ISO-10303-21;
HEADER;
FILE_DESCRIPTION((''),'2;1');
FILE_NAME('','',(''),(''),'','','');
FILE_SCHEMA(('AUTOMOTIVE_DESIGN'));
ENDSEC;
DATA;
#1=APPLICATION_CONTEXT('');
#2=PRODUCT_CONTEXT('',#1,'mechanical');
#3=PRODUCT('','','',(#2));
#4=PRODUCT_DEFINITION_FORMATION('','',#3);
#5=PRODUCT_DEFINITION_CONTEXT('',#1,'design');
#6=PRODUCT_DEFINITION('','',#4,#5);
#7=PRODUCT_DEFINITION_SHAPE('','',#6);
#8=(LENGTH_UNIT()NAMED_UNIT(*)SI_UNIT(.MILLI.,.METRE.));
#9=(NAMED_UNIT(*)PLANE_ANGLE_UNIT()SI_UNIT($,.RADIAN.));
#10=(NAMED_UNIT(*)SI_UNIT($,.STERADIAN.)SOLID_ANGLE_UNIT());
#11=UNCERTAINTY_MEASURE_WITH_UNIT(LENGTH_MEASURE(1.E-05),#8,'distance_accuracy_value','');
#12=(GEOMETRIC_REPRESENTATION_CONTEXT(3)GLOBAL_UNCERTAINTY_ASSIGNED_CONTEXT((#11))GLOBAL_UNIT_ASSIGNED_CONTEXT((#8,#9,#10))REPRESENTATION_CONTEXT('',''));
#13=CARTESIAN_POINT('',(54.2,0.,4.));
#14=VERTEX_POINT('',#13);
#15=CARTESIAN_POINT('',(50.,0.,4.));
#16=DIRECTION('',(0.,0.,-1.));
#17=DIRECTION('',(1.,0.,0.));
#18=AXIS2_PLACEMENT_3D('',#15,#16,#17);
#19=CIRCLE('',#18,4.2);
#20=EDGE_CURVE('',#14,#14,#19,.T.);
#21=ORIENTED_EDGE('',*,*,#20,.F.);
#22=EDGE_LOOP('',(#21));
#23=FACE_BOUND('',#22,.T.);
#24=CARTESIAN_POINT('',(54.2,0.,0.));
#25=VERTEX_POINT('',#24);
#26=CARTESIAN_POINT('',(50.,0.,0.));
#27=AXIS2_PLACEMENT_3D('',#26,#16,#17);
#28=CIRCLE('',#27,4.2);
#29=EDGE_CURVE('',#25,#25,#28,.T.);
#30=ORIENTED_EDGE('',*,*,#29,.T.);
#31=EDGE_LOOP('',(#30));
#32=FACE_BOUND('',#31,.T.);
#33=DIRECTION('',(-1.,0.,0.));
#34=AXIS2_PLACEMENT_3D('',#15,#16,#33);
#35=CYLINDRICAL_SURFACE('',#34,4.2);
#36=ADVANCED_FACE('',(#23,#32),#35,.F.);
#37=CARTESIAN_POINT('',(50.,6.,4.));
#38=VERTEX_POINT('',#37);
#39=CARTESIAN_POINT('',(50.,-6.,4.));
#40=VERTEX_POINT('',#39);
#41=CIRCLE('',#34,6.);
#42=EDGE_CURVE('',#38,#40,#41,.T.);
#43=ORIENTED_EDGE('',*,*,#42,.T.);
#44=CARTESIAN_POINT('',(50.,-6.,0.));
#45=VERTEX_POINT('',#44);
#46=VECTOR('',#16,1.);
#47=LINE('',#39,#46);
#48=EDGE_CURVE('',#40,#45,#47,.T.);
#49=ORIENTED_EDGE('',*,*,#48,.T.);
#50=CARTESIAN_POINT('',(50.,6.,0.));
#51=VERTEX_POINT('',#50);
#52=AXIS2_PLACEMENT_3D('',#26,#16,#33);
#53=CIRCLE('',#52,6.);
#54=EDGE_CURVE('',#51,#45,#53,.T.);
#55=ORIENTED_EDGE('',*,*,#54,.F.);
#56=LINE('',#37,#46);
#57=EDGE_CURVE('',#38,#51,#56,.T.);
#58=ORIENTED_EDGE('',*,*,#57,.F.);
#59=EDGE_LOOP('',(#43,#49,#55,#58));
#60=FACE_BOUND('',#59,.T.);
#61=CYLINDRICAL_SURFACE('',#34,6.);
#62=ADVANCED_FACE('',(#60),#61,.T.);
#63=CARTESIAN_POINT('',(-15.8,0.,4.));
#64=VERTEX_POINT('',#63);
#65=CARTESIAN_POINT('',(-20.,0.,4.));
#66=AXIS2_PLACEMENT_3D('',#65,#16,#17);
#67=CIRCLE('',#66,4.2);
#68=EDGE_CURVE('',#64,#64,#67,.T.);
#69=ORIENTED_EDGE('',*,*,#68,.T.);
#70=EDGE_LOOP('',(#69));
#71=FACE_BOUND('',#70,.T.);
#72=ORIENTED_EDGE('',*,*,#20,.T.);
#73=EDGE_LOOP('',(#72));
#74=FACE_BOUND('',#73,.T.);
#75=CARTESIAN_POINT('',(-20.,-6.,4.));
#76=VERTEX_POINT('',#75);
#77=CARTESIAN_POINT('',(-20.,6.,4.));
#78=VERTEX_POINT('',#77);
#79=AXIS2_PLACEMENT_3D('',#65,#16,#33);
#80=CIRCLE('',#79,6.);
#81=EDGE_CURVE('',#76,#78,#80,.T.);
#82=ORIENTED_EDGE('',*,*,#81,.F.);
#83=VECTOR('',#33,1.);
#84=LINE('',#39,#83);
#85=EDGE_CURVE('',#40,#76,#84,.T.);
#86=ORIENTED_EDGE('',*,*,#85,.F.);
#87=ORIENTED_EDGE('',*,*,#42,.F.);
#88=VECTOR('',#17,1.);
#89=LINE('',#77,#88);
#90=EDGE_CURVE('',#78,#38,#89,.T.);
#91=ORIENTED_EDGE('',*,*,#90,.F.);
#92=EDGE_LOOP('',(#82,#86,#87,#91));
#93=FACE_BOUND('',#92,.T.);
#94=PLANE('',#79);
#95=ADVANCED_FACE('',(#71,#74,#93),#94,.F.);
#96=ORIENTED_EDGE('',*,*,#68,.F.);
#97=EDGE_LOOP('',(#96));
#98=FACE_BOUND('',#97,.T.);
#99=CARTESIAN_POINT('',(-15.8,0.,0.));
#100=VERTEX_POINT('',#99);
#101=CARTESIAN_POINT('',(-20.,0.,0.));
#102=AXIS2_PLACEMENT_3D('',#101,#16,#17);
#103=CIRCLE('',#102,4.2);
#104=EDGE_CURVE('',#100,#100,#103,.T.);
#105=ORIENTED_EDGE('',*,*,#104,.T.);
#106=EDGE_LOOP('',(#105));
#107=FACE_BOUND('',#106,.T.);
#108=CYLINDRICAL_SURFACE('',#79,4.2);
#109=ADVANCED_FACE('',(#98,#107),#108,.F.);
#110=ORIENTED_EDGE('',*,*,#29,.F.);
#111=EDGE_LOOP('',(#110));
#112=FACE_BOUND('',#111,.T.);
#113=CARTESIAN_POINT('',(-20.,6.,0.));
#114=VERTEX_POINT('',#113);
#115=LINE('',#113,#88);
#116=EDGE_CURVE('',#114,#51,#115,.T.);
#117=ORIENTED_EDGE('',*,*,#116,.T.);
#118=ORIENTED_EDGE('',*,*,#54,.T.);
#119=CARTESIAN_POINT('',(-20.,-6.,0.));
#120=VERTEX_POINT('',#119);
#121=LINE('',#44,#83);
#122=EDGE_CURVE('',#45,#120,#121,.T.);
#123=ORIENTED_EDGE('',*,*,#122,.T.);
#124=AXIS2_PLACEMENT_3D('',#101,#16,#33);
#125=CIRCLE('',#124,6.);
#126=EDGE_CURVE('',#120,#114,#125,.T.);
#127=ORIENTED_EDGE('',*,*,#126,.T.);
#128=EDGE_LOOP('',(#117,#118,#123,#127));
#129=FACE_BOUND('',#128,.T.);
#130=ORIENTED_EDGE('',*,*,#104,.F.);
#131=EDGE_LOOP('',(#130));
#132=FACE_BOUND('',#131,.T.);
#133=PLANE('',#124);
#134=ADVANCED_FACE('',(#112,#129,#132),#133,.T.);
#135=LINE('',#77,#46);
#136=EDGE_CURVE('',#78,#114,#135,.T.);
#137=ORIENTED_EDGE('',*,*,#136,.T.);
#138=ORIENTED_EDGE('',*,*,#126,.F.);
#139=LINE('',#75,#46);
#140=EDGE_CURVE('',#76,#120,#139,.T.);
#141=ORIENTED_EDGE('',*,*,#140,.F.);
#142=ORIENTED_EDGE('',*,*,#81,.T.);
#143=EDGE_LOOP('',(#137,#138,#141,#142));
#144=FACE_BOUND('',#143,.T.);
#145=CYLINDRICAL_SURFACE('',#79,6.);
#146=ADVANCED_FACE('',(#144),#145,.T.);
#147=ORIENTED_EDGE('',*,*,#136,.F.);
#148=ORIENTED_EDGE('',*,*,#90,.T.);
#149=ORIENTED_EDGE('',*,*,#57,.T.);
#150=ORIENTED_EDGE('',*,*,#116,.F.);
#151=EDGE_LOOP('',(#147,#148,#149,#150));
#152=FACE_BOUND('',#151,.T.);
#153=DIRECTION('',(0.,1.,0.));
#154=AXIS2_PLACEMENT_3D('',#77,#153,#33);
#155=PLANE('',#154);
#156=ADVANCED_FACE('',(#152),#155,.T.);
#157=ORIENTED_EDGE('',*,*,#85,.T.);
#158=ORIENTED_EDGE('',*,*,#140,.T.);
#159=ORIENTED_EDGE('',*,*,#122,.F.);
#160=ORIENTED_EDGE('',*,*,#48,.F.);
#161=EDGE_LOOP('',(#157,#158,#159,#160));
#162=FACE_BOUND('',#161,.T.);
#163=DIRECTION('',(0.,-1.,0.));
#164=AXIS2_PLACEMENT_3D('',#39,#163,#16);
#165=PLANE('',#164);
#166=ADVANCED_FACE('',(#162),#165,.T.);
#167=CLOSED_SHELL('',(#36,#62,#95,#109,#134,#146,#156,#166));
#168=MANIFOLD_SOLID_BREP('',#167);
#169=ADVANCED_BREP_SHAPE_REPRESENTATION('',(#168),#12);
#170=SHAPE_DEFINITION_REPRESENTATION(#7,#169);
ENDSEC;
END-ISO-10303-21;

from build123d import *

# Parameters (mm, degrees)
SKETCH_1_R      = 4.2
EXTRUDE_1_DEPTH = 4


with BuildPart() as part:
    # 草图1 → 凸台-拉伸1 (new body)
    with BuildSketch(Plane(origin=(0, 0, 0), x_dir=(-1, 0, 0), z_dir=(0, 0, -1))):
        with BuildLine():
            Line((20, 6), (-50, 6))
            ThreePointArc((-50, 6), (-56, 0), (-50, -6))
            Line((-50, -6), (20, -6))
            ThreePointArc((20, -6), (26, 0), (20, 6))
        make_face()
        with Locations(Location((20, 0, 0), (0, 0, 180))):
            Circle(SKETCH_1_R, mode=Mode.SUBTRACT)
        with Locations(Location((-50, 0, 0), (0, 0, 180))):
            Circle(SKETCH_1_R, mode=Mode.SUBTRACT)
    extrude(amount=-EXTRUDE_1_DEPTH)


solid = part.part
